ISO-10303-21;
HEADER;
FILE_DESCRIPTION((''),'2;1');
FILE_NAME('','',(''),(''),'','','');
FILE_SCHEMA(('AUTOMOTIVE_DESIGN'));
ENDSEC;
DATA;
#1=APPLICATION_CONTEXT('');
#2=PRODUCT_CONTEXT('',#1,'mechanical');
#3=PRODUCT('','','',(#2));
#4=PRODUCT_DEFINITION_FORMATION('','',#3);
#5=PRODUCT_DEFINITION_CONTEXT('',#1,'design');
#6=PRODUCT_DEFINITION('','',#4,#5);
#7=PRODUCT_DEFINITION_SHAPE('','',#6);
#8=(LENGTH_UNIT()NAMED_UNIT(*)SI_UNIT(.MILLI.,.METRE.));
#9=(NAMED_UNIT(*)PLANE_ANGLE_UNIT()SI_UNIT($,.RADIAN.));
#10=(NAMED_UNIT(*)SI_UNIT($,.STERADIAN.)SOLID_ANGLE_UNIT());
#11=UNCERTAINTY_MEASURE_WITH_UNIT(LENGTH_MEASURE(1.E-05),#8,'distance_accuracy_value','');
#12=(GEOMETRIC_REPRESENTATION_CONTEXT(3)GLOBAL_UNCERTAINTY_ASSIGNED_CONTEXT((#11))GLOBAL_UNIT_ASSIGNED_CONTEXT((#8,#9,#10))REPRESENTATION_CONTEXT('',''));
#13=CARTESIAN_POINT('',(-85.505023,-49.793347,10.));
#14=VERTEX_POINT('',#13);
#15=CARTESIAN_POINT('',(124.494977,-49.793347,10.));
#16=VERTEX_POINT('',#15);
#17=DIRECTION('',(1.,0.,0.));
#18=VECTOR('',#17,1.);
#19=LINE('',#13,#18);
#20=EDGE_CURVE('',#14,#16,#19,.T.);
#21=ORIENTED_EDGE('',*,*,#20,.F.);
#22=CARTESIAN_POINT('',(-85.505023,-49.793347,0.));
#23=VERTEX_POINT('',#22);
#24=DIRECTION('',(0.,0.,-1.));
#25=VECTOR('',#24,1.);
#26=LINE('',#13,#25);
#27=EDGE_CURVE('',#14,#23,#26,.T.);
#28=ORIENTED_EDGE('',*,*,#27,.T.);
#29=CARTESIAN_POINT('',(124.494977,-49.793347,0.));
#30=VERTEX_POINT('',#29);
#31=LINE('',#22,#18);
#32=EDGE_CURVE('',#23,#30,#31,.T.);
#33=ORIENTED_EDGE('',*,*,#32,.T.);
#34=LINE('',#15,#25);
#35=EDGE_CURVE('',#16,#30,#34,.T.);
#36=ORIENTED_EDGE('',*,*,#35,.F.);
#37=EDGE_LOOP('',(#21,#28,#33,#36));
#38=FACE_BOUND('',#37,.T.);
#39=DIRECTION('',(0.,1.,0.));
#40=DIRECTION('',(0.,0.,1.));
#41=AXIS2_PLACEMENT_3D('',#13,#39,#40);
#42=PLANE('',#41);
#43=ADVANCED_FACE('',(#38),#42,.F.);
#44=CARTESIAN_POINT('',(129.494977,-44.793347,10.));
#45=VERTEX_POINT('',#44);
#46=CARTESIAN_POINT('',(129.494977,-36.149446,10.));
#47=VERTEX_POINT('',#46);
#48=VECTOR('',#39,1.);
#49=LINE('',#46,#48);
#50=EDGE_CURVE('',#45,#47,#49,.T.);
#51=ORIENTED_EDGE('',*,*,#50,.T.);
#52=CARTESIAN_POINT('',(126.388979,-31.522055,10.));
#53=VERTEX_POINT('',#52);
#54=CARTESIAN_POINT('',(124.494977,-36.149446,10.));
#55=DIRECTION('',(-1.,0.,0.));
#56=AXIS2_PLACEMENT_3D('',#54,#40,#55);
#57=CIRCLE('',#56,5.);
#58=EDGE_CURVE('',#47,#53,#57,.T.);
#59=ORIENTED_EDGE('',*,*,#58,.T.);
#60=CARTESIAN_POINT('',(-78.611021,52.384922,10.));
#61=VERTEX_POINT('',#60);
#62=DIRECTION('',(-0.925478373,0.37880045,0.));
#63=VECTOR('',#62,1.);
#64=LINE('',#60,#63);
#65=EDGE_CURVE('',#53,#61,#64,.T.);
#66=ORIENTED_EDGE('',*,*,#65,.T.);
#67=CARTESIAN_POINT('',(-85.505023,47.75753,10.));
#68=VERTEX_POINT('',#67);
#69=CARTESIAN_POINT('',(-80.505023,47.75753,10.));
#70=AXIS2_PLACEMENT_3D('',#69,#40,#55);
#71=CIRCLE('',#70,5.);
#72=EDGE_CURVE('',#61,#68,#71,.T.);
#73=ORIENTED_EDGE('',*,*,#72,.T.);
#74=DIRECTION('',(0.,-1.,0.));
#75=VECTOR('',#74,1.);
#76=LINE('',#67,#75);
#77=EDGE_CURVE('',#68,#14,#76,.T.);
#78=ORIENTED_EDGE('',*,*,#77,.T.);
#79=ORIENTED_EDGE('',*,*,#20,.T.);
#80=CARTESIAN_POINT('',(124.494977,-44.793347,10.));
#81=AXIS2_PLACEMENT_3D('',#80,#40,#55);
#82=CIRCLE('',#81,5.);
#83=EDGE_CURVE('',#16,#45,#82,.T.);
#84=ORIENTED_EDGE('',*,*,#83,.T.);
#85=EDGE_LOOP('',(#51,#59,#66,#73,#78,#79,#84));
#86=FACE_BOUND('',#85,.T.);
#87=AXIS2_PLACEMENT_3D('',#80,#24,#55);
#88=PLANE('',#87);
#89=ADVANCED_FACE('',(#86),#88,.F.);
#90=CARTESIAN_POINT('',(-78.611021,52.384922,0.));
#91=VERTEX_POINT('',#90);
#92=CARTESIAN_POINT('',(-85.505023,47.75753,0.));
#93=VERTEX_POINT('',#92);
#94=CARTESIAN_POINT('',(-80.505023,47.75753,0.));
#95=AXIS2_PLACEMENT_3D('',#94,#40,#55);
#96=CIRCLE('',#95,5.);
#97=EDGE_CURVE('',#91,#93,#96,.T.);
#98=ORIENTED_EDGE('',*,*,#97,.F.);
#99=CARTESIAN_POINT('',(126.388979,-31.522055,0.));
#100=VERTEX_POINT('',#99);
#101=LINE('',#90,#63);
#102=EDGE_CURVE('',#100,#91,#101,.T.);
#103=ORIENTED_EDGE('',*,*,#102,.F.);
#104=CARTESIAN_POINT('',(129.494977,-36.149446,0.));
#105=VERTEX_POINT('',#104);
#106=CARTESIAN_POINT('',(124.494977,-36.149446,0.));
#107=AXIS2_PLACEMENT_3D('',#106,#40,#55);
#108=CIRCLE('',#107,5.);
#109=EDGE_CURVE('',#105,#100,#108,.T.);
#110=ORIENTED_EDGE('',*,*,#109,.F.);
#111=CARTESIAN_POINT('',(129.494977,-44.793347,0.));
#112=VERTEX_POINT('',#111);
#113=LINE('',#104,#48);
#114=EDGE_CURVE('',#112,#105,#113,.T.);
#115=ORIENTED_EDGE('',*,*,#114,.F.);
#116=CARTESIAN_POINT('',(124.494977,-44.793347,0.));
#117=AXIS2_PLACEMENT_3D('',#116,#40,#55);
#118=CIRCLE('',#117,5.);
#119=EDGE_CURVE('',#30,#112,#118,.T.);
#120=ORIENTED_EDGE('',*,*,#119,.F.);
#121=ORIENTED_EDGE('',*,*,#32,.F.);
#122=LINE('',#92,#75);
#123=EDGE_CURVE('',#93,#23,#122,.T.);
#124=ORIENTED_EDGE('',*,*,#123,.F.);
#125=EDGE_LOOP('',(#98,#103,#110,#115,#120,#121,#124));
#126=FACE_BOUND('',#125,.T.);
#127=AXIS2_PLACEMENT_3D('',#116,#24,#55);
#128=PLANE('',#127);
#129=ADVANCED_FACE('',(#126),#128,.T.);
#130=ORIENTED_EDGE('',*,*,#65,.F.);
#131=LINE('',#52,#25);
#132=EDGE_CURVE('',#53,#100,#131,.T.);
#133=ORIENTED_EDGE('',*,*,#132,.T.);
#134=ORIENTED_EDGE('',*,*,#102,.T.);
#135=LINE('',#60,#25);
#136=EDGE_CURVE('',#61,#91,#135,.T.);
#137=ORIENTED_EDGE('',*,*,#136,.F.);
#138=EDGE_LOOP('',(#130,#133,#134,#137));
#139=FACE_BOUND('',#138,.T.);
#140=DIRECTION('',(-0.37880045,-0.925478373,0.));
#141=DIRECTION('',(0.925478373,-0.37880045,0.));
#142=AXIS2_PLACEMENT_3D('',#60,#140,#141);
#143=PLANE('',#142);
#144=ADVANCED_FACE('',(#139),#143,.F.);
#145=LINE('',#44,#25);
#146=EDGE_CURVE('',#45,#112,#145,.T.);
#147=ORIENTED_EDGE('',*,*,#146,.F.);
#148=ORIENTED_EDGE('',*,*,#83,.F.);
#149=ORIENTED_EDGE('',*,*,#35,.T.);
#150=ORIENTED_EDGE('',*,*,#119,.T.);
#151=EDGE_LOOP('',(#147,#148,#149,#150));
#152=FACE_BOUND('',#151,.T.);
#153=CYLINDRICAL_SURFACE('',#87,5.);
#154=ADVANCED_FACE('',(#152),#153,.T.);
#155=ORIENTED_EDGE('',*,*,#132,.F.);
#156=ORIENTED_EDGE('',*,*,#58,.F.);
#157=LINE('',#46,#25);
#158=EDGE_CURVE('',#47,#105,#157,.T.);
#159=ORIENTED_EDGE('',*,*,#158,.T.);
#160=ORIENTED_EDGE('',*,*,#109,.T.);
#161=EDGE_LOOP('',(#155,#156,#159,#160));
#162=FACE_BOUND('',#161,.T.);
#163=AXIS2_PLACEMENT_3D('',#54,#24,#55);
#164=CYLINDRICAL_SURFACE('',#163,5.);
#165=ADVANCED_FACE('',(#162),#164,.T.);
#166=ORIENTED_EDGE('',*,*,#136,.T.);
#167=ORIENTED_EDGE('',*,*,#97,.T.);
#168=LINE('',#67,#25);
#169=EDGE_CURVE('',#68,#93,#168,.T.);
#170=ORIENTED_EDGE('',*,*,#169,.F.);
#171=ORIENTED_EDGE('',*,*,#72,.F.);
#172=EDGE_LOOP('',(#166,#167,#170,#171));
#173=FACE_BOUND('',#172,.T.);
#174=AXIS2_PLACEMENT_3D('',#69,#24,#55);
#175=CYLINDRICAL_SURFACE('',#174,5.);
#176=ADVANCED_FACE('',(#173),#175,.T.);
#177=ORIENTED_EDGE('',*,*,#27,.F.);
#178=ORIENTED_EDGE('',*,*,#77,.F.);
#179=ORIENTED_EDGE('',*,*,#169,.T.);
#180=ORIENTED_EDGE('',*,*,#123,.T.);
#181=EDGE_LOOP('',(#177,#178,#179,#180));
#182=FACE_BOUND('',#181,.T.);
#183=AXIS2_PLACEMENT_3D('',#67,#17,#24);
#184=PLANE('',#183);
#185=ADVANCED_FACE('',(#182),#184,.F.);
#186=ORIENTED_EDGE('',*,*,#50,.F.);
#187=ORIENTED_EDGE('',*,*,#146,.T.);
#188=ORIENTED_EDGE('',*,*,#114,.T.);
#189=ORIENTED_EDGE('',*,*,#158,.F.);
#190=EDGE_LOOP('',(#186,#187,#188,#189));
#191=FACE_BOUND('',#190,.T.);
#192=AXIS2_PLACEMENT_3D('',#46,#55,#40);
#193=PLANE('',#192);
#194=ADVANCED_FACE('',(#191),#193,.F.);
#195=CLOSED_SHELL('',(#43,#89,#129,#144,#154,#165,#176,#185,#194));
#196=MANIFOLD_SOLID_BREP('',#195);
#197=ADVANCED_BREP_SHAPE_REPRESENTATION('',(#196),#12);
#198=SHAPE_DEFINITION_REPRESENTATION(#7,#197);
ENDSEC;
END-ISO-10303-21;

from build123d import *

# Parameters (mm, degrees)
BOSS_EXTRUDE1_DEPTH = 10


with BuildPart() as part:
    # Sketch1 → Boss-Extrude1 (new body)
    with BuildSketch(Plane.XY):
        with BuildLine():
            Line((-78.611020919, 52.384922135), (126.388979081, -31.522054609))
            ThreePointArc((126.388979081, -31.522054609), (128.646483258, -33.362872526), (129.494976829, -36.149446474))
            Line((129.494976829, -36.149446474), (129.494976829, -44.793346711))
            ThreePointArc((129.494976829, -44.793346711), (128.030510735, -48.328880617), (124.494976829, -49.793346711))
            Line((124.494976829, -49.793346711), (-85.505023171, -49.793346711))
            Line((-85.505023171, -49.793346711), (-85.505023171, 47.75753027))
            ThreePointArc((-85.505023171, 47.75753027), (-83.29159712, 51.909036699), (-78.611020919, 52.384922135))
        make_face()
    extrude(amount=BOSS_EXTRUDE1_DEPTH)


solid = part.part
